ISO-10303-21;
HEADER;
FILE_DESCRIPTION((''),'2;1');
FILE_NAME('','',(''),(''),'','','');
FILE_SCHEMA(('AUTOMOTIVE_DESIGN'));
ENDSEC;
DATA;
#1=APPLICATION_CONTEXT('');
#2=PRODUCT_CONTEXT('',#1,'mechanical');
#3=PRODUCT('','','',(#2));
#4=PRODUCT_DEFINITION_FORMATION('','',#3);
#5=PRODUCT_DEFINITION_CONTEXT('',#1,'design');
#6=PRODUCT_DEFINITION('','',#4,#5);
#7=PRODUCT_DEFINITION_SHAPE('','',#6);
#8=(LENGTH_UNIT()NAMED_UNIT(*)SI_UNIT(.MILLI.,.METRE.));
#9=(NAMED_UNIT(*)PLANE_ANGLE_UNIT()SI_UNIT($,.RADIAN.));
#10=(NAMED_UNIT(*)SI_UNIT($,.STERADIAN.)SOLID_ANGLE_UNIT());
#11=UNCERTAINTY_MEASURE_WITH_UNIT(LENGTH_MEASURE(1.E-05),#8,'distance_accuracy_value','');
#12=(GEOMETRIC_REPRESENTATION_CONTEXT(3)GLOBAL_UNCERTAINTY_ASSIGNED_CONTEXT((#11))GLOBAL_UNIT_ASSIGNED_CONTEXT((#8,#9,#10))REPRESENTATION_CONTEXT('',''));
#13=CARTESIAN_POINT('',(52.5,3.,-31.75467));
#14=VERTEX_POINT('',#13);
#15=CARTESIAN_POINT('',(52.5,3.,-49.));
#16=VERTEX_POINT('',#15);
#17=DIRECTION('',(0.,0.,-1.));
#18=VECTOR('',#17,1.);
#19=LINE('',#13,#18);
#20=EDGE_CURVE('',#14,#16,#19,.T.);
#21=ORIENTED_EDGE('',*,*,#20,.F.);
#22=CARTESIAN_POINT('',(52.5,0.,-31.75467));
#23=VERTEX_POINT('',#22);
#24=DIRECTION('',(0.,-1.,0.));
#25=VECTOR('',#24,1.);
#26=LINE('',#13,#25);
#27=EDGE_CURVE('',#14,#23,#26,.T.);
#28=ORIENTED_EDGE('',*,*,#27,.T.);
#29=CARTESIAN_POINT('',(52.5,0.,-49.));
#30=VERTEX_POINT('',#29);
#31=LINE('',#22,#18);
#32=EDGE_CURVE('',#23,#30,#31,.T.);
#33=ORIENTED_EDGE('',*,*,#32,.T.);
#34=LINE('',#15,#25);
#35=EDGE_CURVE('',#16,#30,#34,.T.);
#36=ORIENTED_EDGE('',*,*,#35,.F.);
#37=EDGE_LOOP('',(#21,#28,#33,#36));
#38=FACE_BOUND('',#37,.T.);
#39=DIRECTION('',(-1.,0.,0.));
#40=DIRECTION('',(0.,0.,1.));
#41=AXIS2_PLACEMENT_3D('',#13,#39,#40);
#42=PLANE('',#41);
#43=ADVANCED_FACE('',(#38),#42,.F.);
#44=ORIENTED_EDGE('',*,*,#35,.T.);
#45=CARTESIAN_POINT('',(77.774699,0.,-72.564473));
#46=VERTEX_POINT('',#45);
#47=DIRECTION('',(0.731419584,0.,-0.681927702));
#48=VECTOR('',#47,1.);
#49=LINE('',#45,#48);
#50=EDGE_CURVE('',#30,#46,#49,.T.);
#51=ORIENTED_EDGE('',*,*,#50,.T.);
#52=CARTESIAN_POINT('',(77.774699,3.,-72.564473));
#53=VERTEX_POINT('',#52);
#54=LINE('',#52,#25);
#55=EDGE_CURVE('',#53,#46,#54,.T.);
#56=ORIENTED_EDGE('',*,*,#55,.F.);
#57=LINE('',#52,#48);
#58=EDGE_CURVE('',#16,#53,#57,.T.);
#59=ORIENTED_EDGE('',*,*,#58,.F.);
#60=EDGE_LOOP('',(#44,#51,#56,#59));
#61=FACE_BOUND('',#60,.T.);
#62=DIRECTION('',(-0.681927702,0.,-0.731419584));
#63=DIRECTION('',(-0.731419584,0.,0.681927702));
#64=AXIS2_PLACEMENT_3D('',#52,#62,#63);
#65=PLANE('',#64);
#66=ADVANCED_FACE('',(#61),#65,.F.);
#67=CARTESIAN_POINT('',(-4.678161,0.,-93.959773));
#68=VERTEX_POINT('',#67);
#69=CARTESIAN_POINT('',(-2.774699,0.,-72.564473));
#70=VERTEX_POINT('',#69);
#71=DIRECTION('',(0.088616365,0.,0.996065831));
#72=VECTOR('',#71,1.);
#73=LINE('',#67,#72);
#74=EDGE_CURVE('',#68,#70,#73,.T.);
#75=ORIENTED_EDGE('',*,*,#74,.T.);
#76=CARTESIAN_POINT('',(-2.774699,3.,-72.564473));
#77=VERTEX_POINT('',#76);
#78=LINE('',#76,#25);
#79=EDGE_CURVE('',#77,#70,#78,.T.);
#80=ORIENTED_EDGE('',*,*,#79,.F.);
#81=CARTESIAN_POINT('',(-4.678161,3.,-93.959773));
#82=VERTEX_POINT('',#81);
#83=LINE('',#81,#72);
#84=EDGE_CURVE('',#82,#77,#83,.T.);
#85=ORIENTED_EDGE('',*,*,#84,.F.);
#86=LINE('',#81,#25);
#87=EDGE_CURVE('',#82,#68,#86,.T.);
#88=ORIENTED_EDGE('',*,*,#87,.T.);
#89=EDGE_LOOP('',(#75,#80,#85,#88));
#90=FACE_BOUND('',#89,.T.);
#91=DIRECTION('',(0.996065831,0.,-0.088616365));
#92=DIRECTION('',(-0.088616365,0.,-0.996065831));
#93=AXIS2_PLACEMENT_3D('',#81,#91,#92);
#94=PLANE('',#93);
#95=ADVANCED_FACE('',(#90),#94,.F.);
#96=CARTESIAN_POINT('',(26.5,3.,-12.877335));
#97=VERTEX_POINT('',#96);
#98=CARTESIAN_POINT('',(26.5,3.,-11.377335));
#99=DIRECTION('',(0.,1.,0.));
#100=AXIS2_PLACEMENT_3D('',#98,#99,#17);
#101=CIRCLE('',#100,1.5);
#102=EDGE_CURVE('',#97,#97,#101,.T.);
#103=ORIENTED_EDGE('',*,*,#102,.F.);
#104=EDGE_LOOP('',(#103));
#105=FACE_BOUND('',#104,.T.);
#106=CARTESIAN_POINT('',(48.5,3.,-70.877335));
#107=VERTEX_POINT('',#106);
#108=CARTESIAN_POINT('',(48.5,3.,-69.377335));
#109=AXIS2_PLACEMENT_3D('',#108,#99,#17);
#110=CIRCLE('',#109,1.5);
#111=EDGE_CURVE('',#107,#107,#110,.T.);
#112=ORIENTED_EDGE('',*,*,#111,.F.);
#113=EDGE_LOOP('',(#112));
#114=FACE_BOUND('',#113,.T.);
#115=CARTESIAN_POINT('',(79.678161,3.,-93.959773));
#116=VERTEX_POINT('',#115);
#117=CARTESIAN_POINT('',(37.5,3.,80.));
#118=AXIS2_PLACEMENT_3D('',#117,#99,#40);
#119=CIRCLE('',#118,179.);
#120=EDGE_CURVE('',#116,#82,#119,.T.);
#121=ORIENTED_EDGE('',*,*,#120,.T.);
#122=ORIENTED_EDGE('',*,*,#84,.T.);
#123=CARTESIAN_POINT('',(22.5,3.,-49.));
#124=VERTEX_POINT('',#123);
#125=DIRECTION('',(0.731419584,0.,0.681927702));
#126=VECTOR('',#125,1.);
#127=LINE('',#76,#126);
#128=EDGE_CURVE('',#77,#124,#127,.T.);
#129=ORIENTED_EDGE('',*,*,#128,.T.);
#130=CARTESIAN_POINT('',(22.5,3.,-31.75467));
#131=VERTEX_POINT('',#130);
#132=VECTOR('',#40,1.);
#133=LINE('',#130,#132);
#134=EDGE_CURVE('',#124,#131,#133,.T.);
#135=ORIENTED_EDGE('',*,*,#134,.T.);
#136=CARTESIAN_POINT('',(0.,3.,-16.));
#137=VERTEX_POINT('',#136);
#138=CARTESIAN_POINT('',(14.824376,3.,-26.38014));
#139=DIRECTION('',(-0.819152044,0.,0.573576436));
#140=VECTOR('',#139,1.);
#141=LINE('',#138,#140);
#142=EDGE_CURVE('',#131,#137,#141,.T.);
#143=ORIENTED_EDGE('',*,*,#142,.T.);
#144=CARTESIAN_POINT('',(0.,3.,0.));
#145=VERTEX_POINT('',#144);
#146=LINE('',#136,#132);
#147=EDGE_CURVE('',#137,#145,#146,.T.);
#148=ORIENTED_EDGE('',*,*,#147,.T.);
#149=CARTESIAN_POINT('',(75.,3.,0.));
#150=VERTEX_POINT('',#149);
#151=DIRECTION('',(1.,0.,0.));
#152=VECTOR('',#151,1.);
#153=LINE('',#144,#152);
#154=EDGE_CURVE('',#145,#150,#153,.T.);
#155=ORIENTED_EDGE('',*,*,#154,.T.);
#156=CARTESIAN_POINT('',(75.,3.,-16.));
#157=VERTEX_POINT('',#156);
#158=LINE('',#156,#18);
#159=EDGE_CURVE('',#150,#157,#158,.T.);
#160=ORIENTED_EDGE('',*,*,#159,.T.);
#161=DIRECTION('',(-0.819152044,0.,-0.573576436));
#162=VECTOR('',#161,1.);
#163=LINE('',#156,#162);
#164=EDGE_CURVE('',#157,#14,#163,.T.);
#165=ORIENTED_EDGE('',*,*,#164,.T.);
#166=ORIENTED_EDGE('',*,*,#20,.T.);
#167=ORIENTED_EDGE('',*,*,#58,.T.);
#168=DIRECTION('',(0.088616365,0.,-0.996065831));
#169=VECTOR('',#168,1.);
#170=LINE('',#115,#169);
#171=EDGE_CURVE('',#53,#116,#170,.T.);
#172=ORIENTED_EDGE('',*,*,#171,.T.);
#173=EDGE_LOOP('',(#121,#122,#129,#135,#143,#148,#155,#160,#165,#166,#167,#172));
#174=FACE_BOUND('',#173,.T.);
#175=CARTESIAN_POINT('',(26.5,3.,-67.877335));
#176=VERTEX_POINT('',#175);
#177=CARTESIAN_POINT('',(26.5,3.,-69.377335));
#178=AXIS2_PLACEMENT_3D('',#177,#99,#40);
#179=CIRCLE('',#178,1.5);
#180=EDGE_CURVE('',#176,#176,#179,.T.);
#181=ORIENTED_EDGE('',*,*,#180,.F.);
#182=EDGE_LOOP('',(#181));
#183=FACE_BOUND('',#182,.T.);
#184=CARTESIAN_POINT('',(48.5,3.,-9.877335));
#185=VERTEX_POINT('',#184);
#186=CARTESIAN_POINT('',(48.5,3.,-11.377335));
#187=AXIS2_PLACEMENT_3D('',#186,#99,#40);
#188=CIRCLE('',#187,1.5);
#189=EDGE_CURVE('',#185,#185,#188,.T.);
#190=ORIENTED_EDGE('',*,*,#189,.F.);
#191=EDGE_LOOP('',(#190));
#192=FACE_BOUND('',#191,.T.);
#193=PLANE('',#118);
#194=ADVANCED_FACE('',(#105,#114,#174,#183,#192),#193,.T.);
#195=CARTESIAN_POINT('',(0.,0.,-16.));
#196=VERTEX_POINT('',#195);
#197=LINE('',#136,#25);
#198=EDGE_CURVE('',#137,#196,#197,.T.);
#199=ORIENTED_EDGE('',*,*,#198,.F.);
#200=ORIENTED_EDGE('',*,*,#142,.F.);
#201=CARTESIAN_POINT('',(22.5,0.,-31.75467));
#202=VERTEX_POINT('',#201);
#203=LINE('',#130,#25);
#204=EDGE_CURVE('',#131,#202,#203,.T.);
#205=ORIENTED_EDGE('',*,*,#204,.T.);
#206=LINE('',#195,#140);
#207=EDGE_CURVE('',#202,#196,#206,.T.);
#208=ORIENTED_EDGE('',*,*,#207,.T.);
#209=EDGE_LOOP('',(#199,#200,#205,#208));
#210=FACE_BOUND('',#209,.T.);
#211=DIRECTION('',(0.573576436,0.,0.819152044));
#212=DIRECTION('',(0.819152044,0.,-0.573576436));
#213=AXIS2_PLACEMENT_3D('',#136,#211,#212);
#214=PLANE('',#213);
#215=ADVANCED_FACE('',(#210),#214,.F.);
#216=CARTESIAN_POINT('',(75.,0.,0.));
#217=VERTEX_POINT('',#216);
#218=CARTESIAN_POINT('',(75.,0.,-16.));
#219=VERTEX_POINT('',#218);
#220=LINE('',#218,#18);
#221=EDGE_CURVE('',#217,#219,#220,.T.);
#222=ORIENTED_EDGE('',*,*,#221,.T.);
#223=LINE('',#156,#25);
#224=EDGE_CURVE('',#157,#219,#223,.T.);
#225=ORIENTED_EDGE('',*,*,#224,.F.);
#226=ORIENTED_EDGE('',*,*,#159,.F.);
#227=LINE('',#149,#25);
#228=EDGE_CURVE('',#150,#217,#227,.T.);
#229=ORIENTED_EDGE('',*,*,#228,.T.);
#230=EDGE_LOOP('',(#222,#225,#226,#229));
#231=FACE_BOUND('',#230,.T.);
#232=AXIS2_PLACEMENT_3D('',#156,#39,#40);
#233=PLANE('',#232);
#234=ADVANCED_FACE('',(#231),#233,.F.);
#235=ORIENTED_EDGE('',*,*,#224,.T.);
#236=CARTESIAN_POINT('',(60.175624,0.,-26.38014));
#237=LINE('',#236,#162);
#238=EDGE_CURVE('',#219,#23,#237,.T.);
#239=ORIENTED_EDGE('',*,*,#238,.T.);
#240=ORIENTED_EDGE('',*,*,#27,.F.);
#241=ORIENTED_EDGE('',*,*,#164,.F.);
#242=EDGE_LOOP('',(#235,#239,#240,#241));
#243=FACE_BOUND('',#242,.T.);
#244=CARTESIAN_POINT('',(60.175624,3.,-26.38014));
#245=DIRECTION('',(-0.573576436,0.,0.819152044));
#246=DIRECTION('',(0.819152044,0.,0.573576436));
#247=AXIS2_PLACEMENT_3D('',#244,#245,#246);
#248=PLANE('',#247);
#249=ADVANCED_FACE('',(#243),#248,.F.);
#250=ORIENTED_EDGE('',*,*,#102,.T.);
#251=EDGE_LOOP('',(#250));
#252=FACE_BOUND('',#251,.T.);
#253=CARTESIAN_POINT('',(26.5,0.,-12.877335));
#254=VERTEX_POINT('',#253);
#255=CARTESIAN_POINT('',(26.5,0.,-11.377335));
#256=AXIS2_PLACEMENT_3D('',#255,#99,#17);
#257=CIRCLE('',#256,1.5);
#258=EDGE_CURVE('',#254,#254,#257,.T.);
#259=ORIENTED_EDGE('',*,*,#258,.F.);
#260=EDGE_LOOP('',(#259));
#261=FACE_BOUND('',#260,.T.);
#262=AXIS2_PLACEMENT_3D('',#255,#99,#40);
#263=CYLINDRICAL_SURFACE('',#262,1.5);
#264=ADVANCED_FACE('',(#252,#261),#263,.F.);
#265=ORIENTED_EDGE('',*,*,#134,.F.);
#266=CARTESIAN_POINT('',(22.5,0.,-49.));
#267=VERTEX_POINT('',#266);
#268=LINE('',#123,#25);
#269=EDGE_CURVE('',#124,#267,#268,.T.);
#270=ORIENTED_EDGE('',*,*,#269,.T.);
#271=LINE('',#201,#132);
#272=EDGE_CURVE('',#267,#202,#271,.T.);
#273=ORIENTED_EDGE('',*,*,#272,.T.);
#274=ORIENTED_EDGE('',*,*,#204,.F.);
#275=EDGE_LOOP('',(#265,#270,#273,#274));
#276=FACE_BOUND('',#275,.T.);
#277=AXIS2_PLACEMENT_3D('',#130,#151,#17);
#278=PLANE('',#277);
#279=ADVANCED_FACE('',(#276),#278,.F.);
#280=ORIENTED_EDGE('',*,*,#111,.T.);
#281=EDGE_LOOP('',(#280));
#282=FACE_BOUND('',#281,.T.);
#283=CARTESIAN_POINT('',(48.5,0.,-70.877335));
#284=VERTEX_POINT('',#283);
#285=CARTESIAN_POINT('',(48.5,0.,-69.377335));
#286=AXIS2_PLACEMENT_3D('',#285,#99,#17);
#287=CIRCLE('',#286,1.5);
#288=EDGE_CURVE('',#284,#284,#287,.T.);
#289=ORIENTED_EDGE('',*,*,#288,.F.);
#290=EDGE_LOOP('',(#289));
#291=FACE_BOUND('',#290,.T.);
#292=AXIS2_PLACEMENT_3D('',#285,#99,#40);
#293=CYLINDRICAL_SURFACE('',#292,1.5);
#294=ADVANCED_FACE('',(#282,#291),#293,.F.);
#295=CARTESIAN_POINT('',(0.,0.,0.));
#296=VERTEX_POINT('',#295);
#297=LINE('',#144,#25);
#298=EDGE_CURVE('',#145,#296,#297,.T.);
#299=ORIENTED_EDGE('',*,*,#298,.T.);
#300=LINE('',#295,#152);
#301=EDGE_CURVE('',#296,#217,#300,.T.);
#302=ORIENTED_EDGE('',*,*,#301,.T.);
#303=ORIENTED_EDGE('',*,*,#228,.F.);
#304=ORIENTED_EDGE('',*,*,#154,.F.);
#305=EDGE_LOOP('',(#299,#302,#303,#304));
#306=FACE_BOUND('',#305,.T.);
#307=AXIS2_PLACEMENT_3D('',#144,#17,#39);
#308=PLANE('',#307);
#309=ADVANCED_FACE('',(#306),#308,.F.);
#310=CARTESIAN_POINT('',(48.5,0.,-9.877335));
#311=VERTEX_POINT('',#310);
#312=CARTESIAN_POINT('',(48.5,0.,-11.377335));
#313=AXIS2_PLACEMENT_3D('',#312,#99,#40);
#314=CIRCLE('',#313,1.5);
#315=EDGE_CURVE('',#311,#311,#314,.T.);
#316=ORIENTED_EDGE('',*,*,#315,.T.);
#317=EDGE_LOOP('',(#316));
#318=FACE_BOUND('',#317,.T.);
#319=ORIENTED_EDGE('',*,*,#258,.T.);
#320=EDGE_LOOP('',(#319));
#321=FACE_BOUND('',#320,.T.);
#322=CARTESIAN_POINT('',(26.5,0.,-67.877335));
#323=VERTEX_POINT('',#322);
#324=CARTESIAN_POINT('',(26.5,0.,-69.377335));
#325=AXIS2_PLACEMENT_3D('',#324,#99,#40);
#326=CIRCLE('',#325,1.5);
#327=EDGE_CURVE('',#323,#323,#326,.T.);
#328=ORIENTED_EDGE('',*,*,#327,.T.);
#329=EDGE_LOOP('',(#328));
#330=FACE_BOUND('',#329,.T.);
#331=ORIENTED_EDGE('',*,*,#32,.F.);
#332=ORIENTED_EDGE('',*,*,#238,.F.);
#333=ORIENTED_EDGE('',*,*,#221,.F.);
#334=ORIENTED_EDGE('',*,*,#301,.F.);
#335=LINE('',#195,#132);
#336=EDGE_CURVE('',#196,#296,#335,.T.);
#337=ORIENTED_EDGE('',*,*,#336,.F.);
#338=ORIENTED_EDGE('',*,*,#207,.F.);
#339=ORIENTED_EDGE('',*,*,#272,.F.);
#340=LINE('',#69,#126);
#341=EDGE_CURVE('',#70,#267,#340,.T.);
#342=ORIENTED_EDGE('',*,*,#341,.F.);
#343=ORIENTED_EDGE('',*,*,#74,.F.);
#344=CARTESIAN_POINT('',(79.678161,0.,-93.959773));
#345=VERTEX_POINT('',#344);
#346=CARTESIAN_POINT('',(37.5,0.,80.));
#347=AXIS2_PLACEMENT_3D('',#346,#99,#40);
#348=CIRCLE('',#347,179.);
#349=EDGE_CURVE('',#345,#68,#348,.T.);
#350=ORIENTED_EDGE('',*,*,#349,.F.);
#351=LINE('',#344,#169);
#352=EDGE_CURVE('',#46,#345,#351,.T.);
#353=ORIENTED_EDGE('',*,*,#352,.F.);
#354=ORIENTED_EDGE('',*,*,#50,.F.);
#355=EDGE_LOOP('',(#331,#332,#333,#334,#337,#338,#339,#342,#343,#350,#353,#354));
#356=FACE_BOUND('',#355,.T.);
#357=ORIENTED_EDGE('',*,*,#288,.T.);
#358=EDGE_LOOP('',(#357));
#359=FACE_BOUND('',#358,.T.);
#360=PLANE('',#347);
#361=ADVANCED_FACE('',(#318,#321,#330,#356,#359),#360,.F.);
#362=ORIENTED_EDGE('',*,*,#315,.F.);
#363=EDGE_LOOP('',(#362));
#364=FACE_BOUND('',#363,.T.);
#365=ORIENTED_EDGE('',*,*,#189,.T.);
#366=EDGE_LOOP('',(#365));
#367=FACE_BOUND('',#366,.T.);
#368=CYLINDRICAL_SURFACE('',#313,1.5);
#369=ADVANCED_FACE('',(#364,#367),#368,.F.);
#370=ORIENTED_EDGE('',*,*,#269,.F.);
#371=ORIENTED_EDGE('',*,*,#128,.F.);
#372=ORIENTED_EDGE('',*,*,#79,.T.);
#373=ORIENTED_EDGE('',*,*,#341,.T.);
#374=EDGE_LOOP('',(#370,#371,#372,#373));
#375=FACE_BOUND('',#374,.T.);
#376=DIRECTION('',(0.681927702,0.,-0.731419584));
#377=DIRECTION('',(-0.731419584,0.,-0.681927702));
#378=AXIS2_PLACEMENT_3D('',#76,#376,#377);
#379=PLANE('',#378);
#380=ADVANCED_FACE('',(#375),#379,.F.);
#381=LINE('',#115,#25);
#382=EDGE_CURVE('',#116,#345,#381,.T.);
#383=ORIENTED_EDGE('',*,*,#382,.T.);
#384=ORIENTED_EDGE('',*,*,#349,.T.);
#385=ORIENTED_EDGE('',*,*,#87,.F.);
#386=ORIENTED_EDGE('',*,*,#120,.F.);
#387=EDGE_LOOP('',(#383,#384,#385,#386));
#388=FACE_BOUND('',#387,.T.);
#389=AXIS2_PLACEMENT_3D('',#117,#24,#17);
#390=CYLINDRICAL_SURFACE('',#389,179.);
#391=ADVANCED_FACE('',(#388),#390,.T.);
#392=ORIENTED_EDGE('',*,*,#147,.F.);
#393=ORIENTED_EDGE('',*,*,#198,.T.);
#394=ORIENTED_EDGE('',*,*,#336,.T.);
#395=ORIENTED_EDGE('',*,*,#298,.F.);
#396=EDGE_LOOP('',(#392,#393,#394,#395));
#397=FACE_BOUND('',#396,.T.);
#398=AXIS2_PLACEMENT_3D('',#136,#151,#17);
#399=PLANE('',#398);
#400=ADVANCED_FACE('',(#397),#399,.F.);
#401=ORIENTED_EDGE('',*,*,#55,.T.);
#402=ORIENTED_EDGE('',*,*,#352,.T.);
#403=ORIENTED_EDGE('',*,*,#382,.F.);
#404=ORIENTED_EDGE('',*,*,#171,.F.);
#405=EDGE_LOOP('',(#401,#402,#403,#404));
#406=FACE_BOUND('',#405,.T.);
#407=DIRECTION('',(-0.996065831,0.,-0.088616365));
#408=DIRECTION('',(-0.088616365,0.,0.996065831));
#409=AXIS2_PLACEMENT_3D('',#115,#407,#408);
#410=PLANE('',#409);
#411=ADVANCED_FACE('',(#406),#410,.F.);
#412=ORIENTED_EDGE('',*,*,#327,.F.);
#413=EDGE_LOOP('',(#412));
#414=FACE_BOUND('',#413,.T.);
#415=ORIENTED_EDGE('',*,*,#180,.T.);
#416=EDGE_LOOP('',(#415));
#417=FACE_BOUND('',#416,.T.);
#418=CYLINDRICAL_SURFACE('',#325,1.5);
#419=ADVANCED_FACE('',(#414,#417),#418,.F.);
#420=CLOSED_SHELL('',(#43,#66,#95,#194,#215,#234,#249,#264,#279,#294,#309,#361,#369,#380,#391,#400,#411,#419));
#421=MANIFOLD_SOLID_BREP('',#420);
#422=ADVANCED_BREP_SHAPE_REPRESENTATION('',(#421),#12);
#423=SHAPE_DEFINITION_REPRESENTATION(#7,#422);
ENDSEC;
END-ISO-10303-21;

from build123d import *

# Parameters (mm, degrees)
BOSS_EXTRUDE1_DEPTH = 3
SKETCH3_R           = 1.5
CUT_EXTRUDE1_DEPTH  = 128.116518704


with BuildPart() as part:
    # Sketch2 → Boss-Extrude1 (new body)
    with BuildSketch(Plane(origin=(0, 0, 0), x_dir=(1, 0, 0), z_dir=(0, 1, 0))):
        with BuildLine():
            Line((0, 0), (75, 0))
            Line((75, 0), (75, 16))
            Line((75, 16), (60.175624146, 26.380139722))
            Line((60.175624146, 26.380139722), (52.5, 31.75466961))
            Line((52.5, 31.75466961), (52.5, 49))
            Line((52.5, 49), (77.774698645, 72.564473175))
            Line((77.774698645, 72.564473175), (79.67816092, 93.959773343))
            ThreePointArc((79.67816092, 93.959773343), (37.5, 99), (-4.67816092, 93.959773343))
            Line((-4.67816092, 93.959773343), (-2.774698645, 72.564473175))
            Line((-2.774698645, 72.564473175), (22.5, 49))
            Line((22.5, 49), (22.5, 31.75466961))
            Line((22.5, 31.75466961), (14.824375854, 26.380139722))
            Line((14.824375854, 26.380139722), (0, 16))
            Line((0, 16), (0, 0))
        make_face()
    extrude(amount=BOSS_EXTRUDE1_DEPTH)

    # Sketch3 → Cut-Extrude1 (cut, through all)
    with BuildSketch(Plane(origin=(0, 3, 0), x_dir=(1, 0, 0), z_dir=(0, 1, 0))):
        with Locations(Location((26.5, 69.377334805, 0), (0, 0, 270))):
            Circle(SKETCH3_R)
        with Locations(Location((48.5, 69.377334805, 0), (0, 0, 90))):
            Circle(SKETCH3_R)
        with Locations(Location((48.5, 11.377334805, 0), (0, 0, 270))):
            Circle(SKETCH3_R)
        with Locations(Location((26.5, 11.377334805, 0), (0, 0, 90))):
            Circle(SKETCH3_R)
    extrude(amount=-CUT_EXTRUDE1_DEPTH, mode=Mode.SUBTRACT)


solid = part.part
